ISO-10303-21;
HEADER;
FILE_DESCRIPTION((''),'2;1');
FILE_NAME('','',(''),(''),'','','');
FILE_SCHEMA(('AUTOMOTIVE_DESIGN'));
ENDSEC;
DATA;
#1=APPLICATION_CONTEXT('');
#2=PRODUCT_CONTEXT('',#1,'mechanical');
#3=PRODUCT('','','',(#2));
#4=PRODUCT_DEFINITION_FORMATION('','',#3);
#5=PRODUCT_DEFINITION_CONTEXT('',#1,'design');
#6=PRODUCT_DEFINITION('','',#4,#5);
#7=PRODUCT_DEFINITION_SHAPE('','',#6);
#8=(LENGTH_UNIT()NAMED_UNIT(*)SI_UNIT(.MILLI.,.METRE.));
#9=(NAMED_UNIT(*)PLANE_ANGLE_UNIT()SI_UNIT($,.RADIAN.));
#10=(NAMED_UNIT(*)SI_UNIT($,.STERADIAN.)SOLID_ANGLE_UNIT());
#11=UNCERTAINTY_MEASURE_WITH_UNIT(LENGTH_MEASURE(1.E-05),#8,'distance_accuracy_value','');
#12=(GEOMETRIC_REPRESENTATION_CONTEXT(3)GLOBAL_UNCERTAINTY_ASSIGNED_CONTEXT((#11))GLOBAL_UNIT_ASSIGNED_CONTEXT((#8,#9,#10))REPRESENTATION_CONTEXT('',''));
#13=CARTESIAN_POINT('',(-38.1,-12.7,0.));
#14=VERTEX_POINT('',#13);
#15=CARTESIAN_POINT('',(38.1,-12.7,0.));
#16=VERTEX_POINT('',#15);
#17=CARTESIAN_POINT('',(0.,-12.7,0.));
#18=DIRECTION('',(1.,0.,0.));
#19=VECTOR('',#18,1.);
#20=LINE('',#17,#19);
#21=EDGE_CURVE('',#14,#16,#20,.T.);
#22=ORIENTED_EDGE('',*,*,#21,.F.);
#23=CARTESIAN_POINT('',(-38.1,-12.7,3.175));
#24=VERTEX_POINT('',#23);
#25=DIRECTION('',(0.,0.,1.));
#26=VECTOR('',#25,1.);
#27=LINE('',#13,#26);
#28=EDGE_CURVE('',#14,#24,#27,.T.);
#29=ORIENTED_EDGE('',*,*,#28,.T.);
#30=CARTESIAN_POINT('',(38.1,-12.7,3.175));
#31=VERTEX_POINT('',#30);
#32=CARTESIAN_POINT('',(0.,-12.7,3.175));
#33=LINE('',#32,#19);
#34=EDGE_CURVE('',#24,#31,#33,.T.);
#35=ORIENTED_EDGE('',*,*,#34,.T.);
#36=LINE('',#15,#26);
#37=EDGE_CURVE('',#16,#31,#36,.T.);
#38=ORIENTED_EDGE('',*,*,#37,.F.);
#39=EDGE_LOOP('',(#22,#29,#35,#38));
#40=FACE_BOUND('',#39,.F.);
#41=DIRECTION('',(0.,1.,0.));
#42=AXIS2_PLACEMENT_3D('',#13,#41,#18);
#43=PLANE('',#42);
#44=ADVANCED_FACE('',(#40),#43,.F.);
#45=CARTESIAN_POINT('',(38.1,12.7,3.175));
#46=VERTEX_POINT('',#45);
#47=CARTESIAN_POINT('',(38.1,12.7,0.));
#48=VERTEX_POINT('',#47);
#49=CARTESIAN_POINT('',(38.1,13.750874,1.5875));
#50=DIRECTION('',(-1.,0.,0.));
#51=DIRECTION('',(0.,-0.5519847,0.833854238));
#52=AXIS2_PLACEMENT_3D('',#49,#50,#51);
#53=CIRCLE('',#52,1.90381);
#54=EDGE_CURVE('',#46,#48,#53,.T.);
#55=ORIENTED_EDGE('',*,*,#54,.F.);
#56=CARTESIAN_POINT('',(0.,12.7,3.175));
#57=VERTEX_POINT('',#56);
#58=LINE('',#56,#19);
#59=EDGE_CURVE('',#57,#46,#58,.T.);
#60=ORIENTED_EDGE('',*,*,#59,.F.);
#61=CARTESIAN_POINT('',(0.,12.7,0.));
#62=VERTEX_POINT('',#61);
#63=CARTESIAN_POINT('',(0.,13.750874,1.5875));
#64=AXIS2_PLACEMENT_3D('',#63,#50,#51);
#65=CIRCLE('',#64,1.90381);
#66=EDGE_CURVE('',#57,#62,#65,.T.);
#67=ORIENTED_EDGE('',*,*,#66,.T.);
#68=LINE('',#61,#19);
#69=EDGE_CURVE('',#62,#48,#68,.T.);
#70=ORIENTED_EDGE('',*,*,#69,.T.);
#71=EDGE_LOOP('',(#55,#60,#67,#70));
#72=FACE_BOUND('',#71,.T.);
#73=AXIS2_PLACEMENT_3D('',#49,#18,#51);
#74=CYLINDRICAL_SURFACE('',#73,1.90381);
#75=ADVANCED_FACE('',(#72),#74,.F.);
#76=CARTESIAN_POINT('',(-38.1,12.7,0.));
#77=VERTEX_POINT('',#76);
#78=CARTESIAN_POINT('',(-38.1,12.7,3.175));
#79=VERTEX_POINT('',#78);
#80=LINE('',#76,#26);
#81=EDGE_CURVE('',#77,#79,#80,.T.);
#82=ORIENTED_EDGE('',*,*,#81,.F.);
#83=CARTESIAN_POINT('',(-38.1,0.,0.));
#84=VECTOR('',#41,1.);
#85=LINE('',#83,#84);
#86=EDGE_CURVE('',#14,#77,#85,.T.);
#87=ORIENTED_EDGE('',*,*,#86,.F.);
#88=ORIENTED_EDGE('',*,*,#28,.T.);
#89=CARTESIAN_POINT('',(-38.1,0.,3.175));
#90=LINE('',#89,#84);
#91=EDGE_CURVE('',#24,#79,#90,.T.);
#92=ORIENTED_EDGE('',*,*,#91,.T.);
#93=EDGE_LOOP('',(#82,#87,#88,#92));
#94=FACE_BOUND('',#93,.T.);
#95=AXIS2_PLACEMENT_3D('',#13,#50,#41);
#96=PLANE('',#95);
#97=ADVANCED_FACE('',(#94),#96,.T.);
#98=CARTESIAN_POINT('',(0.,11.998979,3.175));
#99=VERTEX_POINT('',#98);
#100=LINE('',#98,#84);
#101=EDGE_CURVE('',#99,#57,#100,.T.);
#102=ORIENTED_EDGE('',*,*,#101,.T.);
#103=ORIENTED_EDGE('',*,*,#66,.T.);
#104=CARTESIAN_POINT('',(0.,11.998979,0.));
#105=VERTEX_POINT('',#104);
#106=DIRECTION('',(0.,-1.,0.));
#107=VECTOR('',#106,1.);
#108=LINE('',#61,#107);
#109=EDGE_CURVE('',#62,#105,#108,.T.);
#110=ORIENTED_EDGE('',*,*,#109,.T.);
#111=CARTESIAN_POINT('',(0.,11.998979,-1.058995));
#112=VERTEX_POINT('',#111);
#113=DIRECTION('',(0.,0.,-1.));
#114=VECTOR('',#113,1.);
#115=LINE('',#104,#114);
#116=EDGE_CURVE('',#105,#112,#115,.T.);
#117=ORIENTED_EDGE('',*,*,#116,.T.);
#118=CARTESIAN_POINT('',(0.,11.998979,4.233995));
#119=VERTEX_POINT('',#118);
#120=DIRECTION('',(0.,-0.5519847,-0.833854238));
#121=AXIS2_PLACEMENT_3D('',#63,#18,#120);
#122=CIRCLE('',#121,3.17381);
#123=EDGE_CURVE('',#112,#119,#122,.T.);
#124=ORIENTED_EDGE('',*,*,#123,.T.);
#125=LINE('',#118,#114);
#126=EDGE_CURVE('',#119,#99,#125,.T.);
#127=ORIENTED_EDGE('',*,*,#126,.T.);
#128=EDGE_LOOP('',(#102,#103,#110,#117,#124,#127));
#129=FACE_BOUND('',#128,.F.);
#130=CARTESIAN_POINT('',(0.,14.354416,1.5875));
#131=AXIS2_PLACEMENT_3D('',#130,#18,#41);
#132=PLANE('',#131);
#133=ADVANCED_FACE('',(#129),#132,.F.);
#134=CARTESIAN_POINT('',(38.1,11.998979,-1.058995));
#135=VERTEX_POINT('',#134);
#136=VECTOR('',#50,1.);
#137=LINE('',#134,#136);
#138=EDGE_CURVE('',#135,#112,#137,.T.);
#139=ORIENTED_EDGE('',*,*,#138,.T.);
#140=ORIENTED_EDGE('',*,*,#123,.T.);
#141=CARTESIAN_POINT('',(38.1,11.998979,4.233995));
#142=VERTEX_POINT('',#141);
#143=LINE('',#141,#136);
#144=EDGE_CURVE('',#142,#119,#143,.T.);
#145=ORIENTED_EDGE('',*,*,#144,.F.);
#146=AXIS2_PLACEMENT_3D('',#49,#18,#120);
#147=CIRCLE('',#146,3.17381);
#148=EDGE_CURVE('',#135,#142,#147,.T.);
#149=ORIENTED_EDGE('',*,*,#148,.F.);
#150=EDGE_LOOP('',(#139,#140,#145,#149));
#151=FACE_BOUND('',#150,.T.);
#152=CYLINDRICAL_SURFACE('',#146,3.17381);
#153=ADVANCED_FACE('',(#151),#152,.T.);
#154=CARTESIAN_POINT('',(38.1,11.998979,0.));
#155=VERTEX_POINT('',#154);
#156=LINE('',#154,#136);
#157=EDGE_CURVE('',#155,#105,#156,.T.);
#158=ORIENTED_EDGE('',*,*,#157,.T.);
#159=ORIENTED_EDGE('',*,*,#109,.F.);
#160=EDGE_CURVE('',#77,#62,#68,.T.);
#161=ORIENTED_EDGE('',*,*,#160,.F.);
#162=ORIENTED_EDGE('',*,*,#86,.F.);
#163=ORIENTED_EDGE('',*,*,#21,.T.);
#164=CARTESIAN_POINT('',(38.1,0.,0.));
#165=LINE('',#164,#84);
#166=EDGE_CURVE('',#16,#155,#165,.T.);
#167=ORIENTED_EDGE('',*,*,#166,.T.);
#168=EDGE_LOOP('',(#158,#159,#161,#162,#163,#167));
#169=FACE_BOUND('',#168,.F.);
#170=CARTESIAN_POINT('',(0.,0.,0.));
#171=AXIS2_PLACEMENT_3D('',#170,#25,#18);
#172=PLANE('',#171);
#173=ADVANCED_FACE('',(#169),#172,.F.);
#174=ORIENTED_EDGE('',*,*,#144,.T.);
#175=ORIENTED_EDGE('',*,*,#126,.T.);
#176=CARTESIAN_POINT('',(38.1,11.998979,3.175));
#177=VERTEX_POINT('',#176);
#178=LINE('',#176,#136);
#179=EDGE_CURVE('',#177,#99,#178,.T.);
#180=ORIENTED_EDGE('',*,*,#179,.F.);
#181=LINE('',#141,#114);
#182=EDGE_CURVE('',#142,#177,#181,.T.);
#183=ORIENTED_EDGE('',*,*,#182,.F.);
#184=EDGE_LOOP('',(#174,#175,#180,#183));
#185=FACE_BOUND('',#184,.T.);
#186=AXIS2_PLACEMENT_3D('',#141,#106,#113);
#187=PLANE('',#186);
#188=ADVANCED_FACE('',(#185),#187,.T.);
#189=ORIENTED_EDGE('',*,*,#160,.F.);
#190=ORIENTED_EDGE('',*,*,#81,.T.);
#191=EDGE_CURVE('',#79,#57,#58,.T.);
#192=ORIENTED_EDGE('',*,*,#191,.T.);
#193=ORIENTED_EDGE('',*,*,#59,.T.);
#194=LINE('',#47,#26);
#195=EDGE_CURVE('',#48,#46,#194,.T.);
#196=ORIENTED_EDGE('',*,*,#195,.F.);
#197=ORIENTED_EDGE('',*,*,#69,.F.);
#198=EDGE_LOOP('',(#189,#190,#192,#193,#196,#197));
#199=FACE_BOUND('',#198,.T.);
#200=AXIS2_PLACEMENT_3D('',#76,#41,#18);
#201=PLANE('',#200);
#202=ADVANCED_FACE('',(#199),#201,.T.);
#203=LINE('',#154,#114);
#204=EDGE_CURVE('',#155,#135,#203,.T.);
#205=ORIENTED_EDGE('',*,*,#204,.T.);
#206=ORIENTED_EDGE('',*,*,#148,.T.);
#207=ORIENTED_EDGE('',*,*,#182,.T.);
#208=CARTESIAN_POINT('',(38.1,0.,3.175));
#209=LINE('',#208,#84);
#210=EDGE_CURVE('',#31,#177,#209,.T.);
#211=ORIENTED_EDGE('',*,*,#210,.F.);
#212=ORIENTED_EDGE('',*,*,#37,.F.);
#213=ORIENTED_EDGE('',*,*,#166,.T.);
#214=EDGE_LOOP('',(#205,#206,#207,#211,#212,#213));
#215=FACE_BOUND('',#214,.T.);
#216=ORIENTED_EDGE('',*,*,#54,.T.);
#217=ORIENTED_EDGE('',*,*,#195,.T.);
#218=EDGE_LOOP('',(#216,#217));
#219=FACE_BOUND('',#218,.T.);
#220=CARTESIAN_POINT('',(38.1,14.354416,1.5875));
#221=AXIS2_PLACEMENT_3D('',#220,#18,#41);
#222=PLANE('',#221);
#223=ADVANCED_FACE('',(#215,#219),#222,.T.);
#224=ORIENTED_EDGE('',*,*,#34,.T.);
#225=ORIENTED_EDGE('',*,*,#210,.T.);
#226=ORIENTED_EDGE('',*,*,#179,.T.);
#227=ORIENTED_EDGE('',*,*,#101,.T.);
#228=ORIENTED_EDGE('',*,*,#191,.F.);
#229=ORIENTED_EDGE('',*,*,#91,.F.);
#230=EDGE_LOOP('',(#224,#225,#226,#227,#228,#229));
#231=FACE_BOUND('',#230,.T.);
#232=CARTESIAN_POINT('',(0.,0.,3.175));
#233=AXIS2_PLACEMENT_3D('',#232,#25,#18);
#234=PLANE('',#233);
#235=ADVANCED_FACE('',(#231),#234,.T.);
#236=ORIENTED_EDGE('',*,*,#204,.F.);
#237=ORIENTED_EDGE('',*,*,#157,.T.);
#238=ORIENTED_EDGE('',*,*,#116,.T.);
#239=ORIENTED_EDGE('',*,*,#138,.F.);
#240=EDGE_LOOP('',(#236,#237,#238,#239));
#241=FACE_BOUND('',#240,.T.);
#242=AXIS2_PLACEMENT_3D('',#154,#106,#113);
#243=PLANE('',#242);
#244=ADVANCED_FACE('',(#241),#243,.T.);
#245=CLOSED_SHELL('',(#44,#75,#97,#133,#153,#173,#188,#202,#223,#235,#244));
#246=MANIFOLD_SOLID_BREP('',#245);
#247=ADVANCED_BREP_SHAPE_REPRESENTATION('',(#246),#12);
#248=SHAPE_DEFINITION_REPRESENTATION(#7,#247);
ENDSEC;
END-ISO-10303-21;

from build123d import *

# Parameters (mm, degrees)
F0_W     = 76.2
F0_H     = 25.4
F1_DEPTH = 3.175
F3_DEPTH = 38.1


with BuildPart() as f1:
    # F0 (on Top) → F1 (new body)
    with BuildSketch(Plane.XY):
        Rectangle(F0_W, F0_H)
    extrude(amount=F1_DEPTH)

    # F2 (on face) → F3 (join)
    with BuildSketch(Plane.YZ.offset(38.1)):
        with BuildLine():
            ThreePointArc((12.7, 3.175), (15.6546839221, 1.5875), (12.7, 0))
            Line((12.7, 0), (11.9989794308, -1.0589948827))
            ThreePointArc((11.9989794308, -1.0589948827), (16.9246839221, 1.5875), (11.9989794308, 4.2339948827))
            Line((11.9989794308, 4.2339948827), (12.7, 3.175))
        make_face()
        Polygon((11.9989794308, 3.175), (12.7, 3.175), (11.9989794308, 4.2339948827), align=None)
        Polygon((11.9989794308, -1.0589948827), (12.7, 0), (11.9989794308, 0), align=None)
    extrude(amount=-F3_DEPTH)


solid = f1.part
